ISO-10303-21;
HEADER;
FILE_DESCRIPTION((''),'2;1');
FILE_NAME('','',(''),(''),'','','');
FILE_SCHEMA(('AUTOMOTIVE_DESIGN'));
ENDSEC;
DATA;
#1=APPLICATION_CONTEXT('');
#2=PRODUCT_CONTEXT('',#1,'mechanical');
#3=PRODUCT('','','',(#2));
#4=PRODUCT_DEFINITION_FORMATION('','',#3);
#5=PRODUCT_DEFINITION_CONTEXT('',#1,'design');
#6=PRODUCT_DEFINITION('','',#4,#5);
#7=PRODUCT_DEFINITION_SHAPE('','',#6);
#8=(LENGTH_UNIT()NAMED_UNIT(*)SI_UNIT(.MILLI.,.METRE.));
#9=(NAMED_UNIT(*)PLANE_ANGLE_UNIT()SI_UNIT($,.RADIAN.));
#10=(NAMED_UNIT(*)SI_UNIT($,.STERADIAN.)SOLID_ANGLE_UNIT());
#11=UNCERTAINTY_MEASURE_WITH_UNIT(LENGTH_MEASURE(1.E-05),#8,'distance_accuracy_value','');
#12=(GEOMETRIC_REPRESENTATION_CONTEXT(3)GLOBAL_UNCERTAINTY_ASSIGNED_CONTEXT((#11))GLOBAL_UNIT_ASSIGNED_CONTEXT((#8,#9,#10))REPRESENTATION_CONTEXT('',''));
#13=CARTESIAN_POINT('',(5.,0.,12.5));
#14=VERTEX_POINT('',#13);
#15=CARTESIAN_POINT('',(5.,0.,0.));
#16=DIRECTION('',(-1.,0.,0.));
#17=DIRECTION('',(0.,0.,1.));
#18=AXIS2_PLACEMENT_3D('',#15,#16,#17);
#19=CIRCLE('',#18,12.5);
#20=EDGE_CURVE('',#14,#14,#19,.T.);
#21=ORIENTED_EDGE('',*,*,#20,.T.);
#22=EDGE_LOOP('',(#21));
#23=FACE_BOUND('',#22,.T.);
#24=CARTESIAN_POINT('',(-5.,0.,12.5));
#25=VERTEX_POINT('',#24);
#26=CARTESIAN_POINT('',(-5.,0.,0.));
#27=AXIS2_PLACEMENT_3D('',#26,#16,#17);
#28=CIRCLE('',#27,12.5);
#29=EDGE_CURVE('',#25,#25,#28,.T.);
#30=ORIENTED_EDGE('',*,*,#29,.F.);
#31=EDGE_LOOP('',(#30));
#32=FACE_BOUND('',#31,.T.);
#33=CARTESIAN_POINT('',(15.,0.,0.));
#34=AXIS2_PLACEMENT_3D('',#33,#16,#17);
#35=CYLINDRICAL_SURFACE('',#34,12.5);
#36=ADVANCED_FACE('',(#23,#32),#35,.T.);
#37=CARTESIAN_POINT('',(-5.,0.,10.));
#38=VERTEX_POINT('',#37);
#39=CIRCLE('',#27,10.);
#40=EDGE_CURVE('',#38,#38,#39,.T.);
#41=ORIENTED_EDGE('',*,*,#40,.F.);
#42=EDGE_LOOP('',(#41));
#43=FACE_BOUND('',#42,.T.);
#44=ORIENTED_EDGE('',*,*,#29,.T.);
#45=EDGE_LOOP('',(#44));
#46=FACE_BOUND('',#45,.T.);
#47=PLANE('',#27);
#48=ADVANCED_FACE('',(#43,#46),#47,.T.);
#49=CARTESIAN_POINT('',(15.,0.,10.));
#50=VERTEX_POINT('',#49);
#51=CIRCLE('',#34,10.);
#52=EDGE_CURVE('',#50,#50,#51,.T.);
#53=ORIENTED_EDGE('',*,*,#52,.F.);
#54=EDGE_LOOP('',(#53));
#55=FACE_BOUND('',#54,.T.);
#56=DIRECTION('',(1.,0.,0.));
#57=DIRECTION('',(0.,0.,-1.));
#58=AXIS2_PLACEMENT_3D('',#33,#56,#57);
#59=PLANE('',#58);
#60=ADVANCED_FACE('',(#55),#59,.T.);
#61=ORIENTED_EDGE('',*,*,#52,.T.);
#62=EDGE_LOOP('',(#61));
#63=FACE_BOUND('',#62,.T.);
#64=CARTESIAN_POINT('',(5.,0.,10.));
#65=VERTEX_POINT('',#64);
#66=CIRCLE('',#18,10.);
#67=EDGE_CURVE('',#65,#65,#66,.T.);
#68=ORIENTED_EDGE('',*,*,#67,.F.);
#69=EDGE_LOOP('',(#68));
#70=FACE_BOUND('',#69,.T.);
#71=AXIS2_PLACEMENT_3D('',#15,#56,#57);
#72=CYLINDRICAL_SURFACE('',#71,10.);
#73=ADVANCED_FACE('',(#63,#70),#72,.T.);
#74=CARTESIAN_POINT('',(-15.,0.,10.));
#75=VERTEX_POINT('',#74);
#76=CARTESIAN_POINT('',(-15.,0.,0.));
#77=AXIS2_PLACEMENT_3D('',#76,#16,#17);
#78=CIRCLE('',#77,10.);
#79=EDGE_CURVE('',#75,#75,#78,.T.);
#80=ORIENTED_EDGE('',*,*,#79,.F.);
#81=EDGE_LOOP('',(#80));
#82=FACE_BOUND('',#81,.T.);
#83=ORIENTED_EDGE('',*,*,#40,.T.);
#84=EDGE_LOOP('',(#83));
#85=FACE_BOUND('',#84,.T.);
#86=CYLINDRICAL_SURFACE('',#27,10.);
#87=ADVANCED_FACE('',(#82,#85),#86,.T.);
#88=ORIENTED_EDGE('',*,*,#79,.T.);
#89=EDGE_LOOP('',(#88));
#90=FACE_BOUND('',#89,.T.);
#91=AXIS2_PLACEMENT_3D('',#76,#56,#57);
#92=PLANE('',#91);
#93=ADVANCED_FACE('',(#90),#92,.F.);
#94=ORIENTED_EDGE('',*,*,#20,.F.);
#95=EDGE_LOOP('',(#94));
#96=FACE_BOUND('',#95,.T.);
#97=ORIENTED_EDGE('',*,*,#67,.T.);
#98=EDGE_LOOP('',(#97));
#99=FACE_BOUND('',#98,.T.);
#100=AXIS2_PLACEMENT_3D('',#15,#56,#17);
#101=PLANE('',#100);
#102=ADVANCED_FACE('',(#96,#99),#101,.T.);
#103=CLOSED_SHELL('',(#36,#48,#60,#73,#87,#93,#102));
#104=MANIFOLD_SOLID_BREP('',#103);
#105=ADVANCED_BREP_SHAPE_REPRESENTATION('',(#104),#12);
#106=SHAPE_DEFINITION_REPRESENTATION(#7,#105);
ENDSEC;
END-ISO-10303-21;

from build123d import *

# Parameters (mm, degrees)
SKETCH1_R           = 12.5
BOSS_EXTRUDE1_DEPTH = 15
SKETCH2_R           = 12.5
SKETCH2_R_2         = 10
CUT_EXTRUDE1_DEPTH  = 10


with BuildPart() as part:
    # Sketch1 → Boss-Extrude1 (new body, symmetric)
    with BuildSketch(Plane(origin=(0, 0, 0), x_dir=(0, 0, -1), z_dir=(1, 0, 0))):
        Circle(SKETCH1_R)
    extrude(amount=BOSS_EXTRUDE1_DEPTH, both=True)

    # Sketch2 → Cut-Extrude1 (cut)
    with BuildSketch(Plane.ZY.offset(15)):
        Circle(SKETCH2_R)
        Circle(SKETCH2_R_2, mode=Mode.SUBTRACT)
    cut_extrude1 = extrude(amount=-CUT_EXTRUDE1_DEPTH, mode=Mode.SUBTRACT)

    # Mirror1: Cut-Extrude1 across plane
    add(cut_extrude1.mirror(Plane(origin=(0, 0, 0), x_dir=(0, 0, 1), z_dir=(1, 0, 0))), mode=Mode.SUBTRACT)


solid = part.part
